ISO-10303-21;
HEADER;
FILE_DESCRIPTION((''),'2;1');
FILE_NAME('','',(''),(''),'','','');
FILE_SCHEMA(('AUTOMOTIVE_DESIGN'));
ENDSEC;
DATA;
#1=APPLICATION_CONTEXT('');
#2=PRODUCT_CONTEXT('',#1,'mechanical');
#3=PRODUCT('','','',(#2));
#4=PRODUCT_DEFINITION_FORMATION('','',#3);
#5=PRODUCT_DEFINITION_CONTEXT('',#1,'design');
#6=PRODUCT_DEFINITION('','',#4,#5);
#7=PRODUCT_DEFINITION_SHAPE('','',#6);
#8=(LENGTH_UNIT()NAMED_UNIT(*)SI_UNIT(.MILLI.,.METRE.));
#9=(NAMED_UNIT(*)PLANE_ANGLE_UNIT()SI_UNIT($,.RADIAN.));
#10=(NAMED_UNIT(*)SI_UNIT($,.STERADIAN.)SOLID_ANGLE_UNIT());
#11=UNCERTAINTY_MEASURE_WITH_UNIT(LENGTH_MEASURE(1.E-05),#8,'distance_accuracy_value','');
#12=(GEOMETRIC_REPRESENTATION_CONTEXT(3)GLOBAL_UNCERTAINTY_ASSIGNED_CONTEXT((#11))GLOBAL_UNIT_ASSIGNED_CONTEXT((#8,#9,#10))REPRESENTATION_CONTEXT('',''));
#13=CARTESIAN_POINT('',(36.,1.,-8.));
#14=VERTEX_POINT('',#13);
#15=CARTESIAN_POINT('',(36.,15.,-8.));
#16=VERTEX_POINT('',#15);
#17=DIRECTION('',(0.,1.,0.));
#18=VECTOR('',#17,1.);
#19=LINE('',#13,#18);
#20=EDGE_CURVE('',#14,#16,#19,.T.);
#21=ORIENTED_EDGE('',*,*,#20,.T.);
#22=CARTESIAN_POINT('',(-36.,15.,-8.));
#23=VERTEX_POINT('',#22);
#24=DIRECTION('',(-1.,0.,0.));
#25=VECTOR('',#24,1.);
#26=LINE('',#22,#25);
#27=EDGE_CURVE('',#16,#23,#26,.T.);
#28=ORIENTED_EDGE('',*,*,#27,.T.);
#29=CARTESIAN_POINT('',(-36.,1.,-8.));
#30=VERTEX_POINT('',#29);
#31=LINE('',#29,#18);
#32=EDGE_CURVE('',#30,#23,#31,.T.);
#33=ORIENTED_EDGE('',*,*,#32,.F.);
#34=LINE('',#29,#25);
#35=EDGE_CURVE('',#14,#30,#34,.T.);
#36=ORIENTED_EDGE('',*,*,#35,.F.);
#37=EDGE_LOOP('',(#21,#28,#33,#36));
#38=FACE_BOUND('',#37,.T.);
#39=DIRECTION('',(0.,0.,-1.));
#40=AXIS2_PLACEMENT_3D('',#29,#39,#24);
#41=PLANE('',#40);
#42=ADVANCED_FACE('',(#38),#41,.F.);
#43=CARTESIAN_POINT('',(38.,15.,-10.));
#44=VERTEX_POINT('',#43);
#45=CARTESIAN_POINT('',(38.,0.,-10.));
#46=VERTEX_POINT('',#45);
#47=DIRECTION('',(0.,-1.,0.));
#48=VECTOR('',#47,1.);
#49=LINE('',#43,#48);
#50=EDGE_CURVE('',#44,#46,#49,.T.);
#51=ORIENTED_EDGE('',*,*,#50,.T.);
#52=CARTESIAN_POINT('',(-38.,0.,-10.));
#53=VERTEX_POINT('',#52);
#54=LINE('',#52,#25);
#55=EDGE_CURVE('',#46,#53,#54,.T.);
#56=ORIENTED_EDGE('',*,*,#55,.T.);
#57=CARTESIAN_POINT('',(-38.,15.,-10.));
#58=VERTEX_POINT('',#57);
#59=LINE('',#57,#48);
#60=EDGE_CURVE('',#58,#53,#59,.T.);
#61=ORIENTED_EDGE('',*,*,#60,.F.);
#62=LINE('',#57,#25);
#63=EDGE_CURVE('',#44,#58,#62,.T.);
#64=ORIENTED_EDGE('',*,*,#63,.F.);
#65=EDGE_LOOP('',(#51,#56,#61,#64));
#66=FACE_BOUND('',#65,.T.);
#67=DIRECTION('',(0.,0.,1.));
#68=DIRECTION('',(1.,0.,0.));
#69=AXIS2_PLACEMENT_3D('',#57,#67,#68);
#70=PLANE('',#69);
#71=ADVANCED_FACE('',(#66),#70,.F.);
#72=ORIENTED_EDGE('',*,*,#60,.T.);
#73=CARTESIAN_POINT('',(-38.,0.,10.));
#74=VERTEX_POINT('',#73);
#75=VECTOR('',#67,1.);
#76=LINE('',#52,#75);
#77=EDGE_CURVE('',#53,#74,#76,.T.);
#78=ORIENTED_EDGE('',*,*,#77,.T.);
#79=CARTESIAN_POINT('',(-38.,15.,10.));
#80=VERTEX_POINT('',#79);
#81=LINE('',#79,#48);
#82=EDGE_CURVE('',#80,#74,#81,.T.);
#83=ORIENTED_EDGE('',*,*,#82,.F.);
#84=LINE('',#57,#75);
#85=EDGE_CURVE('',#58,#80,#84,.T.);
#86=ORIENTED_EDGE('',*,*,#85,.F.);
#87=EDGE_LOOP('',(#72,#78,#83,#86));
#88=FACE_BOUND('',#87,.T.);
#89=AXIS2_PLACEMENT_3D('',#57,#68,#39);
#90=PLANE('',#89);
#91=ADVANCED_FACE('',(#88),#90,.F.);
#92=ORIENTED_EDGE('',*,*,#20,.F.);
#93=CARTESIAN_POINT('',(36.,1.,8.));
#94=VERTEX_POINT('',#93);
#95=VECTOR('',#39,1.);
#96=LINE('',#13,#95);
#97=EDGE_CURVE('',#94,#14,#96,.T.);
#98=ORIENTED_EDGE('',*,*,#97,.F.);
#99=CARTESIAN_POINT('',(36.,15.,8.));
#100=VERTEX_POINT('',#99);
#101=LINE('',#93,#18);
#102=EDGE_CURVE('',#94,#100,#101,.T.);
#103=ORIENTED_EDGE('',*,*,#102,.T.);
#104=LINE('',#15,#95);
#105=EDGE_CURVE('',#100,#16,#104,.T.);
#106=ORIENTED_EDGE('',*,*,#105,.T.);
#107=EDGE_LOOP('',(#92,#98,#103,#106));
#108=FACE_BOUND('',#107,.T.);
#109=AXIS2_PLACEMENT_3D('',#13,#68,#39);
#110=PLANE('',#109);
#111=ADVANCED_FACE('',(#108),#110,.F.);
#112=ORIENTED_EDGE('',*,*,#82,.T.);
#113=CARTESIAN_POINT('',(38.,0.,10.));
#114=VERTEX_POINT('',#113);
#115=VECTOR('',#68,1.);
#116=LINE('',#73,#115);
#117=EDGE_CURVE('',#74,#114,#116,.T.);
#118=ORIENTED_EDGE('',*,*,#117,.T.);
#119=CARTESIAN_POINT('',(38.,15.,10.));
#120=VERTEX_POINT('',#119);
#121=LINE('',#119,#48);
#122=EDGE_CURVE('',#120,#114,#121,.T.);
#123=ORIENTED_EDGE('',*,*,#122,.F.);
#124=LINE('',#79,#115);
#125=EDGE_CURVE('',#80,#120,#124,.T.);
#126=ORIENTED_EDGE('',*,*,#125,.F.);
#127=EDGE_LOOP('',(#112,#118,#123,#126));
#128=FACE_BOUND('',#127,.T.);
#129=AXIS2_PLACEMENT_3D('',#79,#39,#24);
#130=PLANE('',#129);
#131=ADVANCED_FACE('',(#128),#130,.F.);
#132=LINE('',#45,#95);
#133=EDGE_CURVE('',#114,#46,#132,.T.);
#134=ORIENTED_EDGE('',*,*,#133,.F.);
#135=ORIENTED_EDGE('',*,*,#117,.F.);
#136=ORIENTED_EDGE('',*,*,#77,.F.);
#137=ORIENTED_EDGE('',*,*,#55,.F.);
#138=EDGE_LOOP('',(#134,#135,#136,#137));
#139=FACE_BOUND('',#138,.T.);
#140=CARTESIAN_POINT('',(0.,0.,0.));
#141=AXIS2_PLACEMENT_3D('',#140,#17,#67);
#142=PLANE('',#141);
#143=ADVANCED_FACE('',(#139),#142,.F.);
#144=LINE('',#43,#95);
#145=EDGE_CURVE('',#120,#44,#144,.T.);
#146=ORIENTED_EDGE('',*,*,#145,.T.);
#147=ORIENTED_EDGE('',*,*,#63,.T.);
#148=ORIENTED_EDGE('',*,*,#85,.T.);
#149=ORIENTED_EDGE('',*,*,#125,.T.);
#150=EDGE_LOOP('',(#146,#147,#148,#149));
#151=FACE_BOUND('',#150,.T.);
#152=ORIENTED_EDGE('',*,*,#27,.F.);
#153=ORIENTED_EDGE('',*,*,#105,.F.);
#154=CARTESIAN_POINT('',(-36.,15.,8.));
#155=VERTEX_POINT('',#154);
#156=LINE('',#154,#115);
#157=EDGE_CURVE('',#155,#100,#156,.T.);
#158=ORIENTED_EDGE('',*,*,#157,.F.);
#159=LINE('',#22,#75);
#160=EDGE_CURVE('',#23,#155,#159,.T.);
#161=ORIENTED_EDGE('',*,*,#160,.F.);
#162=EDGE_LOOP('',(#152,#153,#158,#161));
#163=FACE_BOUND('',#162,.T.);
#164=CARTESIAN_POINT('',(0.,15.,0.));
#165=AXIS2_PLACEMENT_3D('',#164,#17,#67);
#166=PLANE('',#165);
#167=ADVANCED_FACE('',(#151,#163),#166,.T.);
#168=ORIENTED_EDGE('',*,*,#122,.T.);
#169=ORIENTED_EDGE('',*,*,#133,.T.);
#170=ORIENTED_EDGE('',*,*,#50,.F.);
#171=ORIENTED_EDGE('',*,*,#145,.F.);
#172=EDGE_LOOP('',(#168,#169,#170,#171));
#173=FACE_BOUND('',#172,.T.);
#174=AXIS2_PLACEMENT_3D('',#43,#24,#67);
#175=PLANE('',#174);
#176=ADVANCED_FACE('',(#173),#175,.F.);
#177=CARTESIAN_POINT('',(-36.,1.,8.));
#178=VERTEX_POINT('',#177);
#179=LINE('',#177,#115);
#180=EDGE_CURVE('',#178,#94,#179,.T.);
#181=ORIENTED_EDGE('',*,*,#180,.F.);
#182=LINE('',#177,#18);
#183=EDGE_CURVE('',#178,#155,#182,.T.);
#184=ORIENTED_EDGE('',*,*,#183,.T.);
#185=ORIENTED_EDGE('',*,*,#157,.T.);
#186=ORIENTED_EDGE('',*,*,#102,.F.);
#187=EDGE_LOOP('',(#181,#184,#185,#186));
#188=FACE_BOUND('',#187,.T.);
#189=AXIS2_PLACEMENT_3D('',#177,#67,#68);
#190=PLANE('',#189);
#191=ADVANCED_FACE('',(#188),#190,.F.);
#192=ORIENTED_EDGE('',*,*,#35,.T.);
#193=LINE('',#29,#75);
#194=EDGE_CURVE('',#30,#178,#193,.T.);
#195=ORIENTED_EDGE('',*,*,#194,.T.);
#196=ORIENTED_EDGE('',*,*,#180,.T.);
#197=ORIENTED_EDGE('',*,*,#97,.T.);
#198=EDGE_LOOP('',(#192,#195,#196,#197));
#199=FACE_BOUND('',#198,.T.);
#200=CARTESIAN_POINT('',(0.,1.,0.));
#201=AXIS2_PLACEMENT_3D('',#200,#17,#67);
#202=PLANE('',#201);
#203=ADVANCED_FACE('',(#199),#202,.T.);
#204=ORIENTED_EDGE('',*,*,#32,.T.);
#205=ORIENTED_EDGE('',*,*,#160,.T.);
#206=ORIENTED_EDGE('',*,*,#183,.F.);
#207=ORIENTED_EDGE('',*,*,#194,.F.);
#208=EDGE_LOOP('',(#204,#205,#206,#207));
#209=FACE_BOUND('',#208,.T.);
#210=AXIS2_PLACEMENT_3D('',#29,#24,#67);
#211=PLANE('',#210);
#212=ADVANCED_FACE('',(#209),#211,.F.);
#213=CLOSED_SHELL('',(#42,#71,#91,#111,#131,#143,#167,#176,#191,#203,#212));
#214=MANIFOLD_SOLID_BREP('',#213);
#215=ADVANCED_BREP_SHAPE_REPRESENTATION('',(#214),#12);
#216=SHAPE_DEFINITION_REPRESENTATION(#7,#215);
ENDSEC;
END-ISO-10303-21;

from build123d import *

# Parameters (mm, degrees)
SKETCH1_W           = 76
SKETCH1_H           = 20
BOSS_EXTRUDE1_DEPTH = 15
SKETCH2_W           = 72
SKETCH2_H           = 16
CUT_EXTRUDE1_DEPTH  = 14


with BuildPart() as part:
    # Sketch1 → Boss-Extrude1 (new body)
    with BuildSketch(Plane(origin=(0, 0, 0), x_dir=(1, 0, 0), z_dir=(0, 1, 0))):
        Rectangle(SKETCH1_W, SKETCH1_H)
    extrude(amount=BOSS_EXTRUDE1_DEPTH)

    # Sketch2 → Cut-Extrude1 (cut)
    with BuildSketch(Plane(origin=(0, 15, 0), x_dir=(1, 0, 0), z_dir=(0, 1, 0))):
        Rectangle(SKETCH2_W, SKETCH2_H)
    extrude(amount=-CUT_EXTRUDE1_DEPTH, mode=Mode.SUBTRACT)


solid = part.part
